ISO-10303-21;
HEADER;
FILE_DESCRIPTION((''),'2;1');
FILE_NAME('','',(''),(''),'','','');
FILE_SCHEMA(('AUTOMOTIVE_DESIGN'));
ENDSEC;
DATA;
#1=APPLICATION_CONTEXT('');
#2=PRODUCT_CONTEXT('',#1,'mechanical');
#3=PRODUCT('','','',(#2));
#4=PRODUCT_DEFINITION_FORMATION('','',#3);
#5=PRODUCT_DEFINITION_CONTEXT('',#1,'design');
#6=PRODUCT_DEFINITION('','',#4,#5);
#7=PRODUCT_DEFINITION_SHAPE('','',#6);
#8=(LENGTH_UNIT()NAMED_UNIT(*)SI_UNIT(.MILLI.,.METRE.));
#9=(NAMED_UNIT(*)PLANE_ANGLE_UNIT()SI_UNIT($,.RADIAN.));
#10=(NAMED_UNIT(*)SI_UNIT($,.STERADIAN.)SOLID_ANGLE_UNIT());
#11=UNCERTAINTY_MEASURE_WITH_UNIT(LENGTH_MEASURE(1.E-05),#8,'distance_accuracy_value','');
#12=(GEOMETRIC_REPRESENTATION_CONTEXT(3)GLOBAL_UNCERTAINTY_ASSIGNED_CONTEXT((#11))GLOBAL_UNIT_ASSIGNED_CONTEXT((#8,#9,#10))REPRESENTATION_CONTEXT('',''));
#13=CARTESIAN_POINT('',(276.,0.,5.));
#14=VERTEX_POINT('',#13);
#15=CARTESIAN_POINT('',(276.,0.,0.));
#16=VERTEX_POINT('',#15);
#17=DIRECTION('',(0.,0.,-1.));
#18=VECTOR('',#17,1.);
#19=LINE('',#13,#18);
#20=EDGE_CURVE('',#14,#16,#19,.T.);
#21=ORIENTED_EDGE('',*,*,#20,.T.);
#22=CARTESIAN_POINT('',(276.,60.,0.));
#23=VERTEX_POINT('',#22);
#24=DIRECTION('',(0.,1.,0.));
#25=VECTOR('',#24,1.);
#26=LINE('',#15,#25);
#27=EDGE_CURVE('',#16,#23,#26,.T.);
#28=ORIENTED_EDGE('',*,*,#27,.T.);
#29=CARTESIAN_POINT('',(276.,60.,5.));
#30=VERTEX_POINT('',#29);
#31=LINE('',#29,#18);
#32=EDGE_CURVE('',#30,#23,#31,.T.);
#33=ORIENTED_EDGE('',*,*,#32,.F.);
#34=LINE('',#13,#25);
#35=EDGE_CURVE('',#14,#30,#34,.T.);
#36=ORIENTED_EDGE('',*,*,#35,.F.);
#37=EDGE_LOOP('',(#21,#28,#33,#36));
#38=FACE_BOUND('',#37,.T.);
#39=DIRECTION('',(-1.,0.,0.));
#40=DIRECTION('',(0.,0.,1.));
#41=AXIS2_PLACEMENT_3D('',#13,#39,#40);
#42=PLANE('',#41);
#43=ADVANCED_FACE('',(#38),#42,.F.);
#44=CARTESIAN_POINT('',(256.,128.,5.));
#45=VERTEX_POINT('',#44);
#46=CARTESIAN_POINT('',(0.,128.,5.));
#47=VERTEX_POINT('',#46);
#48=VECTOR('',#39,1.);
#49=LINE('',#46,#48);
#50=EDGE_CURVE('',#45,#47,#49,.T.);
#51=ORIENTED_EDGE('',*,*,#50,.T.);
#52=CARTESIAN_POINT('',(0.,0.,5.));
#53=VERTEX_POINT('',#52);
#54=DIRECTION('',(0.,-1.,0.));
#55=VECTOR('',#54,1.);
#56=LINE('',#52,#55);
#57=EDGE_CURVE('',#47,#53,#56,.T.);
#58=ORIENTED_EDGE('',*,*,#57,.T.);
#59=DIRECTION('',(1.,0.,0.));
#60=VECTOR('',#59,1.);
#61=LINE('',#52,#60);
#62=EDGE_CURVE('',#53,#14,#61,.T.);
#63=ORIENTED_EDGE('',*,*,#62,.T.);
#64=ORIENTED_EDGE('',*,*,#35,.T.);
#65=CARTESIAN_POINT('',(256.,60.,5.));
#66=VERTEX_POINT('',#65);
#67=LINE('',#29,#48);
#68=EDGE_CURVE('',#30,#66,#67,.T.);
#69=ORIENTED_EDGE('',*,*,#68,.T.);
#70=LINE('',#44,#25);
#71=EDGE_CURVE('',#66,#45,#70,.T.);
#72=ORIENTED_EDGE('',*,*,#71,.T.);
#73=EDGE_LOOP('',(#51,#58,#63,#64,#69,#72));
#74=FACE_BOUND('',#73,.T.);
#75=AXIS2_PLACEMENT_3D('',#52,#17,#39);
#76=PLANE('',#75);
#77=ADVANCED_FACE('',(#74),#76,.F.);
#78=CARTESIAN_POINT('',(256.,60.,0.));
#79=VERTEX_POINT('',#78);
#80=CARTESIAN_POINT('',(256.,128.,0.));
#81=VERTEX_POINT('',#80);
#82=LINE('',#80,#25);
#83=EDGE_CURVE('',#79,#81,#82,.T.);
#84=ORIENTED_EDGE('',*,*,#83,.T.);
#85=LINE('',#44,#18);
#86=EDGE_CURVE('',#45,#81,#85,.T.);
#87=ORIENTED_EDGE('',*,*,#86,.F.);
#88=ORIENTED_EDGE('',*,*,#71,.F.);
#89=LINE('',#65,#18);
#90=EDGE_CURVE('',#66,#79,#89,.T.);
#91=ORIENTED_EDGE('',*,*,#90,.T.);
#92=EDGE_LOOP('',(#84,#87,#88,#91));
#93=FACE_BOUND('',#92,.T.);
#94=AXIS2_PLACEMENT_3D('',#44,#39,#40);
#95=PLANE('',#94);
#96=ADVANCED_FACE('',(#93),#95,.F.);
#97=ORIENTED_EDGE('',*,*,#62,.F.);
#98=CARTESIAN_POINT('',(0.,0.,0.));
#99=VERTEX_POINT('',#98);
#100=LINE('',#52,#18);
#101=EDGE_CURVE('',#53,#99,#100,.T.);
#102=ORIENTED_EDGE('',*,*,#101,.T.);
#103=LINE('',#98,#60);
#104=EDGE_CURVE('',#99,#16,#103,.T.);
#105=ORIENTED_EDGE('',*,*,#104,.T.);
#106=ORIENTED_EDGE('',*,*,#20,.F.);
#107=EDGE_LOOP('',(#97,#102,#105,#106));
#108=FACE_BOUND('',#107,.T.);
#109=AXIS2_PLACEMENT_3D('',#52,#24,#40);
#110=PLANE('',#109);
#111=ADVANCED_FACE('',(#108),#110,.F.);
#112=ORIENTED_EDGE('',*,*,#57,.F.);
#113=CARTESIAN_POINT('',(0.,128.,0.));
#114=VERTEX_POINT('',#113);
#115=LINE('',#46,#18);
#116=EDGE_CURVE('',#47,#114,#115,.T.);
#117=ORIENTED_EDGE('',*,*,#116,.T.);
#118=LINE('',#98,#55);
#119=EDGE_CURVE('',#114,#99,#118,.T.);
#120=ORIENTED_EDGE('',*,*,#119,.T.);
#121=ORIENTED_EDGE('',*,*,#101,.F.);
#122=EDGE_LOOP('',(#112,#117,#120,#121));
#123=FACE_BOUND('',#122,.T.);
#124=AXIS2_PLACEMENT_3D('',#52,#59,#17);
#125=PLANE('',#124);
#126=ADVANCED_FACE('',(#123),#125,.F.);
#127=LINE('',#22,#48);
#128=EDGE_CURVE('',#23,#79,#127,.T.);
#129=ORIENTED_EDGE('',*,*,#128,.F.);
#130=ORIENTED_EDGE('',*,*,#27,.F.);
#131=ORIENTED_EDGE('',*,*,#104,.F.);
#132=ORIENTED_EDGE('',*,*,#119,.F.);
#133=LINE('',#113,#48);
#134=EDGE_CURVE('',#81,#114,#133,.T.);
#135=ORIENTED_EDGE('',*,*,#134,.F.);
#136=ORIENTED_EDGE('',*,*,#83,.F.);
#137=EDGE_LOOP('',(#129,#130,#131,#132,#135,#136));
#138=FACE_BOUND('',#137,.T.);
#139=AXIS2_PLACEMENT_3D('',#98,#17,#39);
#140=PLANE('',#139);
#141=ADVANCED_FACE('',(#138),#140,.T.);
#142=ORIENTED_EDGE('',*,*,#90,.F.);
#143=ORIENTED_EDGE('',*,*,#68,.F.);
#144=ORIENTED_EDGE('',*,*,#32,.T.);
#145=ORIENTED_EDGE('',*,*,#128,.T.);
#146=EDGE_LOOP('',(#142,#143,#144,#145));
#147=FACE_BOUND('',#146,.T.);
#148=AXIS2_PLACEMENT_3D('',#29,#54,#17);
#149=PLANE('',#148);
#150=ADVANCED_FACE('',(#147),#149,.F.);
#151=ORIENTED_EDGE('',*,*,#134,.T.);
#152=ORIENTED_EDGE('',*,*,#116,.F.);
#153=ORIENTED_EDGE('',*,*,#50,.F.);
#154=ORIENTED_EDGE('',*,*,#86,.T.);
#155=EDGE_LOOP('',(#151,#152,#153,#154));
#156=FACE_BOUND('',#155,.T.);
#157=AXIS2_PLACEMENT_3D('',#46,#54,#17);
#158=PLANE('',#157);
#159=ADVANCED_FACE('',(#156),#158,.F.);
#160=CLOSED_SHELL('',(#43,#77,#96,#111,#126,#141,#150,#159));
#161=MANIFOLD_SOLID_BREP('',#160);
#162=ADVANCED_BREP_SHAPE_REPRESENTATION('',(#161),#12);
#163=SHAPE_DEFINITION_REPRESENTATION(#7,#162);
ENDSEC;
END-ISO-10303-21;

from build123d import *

# Parameters (mm, degrees)
BOSS_EXTRU_1_DEPTH = 5


with BuildPart() as part:
    # Esquisse1 → Boss.-Extru.1 (new body)
    with BuildSketch(Plane.XY):
        Polygon((0, 0), (276, 0), (276, 60), (256, 60), (256, 128), (0, 128), align=None)
    extrude(amount=BOSS_EXTRU_1_DEPTH)


solid = part.part
